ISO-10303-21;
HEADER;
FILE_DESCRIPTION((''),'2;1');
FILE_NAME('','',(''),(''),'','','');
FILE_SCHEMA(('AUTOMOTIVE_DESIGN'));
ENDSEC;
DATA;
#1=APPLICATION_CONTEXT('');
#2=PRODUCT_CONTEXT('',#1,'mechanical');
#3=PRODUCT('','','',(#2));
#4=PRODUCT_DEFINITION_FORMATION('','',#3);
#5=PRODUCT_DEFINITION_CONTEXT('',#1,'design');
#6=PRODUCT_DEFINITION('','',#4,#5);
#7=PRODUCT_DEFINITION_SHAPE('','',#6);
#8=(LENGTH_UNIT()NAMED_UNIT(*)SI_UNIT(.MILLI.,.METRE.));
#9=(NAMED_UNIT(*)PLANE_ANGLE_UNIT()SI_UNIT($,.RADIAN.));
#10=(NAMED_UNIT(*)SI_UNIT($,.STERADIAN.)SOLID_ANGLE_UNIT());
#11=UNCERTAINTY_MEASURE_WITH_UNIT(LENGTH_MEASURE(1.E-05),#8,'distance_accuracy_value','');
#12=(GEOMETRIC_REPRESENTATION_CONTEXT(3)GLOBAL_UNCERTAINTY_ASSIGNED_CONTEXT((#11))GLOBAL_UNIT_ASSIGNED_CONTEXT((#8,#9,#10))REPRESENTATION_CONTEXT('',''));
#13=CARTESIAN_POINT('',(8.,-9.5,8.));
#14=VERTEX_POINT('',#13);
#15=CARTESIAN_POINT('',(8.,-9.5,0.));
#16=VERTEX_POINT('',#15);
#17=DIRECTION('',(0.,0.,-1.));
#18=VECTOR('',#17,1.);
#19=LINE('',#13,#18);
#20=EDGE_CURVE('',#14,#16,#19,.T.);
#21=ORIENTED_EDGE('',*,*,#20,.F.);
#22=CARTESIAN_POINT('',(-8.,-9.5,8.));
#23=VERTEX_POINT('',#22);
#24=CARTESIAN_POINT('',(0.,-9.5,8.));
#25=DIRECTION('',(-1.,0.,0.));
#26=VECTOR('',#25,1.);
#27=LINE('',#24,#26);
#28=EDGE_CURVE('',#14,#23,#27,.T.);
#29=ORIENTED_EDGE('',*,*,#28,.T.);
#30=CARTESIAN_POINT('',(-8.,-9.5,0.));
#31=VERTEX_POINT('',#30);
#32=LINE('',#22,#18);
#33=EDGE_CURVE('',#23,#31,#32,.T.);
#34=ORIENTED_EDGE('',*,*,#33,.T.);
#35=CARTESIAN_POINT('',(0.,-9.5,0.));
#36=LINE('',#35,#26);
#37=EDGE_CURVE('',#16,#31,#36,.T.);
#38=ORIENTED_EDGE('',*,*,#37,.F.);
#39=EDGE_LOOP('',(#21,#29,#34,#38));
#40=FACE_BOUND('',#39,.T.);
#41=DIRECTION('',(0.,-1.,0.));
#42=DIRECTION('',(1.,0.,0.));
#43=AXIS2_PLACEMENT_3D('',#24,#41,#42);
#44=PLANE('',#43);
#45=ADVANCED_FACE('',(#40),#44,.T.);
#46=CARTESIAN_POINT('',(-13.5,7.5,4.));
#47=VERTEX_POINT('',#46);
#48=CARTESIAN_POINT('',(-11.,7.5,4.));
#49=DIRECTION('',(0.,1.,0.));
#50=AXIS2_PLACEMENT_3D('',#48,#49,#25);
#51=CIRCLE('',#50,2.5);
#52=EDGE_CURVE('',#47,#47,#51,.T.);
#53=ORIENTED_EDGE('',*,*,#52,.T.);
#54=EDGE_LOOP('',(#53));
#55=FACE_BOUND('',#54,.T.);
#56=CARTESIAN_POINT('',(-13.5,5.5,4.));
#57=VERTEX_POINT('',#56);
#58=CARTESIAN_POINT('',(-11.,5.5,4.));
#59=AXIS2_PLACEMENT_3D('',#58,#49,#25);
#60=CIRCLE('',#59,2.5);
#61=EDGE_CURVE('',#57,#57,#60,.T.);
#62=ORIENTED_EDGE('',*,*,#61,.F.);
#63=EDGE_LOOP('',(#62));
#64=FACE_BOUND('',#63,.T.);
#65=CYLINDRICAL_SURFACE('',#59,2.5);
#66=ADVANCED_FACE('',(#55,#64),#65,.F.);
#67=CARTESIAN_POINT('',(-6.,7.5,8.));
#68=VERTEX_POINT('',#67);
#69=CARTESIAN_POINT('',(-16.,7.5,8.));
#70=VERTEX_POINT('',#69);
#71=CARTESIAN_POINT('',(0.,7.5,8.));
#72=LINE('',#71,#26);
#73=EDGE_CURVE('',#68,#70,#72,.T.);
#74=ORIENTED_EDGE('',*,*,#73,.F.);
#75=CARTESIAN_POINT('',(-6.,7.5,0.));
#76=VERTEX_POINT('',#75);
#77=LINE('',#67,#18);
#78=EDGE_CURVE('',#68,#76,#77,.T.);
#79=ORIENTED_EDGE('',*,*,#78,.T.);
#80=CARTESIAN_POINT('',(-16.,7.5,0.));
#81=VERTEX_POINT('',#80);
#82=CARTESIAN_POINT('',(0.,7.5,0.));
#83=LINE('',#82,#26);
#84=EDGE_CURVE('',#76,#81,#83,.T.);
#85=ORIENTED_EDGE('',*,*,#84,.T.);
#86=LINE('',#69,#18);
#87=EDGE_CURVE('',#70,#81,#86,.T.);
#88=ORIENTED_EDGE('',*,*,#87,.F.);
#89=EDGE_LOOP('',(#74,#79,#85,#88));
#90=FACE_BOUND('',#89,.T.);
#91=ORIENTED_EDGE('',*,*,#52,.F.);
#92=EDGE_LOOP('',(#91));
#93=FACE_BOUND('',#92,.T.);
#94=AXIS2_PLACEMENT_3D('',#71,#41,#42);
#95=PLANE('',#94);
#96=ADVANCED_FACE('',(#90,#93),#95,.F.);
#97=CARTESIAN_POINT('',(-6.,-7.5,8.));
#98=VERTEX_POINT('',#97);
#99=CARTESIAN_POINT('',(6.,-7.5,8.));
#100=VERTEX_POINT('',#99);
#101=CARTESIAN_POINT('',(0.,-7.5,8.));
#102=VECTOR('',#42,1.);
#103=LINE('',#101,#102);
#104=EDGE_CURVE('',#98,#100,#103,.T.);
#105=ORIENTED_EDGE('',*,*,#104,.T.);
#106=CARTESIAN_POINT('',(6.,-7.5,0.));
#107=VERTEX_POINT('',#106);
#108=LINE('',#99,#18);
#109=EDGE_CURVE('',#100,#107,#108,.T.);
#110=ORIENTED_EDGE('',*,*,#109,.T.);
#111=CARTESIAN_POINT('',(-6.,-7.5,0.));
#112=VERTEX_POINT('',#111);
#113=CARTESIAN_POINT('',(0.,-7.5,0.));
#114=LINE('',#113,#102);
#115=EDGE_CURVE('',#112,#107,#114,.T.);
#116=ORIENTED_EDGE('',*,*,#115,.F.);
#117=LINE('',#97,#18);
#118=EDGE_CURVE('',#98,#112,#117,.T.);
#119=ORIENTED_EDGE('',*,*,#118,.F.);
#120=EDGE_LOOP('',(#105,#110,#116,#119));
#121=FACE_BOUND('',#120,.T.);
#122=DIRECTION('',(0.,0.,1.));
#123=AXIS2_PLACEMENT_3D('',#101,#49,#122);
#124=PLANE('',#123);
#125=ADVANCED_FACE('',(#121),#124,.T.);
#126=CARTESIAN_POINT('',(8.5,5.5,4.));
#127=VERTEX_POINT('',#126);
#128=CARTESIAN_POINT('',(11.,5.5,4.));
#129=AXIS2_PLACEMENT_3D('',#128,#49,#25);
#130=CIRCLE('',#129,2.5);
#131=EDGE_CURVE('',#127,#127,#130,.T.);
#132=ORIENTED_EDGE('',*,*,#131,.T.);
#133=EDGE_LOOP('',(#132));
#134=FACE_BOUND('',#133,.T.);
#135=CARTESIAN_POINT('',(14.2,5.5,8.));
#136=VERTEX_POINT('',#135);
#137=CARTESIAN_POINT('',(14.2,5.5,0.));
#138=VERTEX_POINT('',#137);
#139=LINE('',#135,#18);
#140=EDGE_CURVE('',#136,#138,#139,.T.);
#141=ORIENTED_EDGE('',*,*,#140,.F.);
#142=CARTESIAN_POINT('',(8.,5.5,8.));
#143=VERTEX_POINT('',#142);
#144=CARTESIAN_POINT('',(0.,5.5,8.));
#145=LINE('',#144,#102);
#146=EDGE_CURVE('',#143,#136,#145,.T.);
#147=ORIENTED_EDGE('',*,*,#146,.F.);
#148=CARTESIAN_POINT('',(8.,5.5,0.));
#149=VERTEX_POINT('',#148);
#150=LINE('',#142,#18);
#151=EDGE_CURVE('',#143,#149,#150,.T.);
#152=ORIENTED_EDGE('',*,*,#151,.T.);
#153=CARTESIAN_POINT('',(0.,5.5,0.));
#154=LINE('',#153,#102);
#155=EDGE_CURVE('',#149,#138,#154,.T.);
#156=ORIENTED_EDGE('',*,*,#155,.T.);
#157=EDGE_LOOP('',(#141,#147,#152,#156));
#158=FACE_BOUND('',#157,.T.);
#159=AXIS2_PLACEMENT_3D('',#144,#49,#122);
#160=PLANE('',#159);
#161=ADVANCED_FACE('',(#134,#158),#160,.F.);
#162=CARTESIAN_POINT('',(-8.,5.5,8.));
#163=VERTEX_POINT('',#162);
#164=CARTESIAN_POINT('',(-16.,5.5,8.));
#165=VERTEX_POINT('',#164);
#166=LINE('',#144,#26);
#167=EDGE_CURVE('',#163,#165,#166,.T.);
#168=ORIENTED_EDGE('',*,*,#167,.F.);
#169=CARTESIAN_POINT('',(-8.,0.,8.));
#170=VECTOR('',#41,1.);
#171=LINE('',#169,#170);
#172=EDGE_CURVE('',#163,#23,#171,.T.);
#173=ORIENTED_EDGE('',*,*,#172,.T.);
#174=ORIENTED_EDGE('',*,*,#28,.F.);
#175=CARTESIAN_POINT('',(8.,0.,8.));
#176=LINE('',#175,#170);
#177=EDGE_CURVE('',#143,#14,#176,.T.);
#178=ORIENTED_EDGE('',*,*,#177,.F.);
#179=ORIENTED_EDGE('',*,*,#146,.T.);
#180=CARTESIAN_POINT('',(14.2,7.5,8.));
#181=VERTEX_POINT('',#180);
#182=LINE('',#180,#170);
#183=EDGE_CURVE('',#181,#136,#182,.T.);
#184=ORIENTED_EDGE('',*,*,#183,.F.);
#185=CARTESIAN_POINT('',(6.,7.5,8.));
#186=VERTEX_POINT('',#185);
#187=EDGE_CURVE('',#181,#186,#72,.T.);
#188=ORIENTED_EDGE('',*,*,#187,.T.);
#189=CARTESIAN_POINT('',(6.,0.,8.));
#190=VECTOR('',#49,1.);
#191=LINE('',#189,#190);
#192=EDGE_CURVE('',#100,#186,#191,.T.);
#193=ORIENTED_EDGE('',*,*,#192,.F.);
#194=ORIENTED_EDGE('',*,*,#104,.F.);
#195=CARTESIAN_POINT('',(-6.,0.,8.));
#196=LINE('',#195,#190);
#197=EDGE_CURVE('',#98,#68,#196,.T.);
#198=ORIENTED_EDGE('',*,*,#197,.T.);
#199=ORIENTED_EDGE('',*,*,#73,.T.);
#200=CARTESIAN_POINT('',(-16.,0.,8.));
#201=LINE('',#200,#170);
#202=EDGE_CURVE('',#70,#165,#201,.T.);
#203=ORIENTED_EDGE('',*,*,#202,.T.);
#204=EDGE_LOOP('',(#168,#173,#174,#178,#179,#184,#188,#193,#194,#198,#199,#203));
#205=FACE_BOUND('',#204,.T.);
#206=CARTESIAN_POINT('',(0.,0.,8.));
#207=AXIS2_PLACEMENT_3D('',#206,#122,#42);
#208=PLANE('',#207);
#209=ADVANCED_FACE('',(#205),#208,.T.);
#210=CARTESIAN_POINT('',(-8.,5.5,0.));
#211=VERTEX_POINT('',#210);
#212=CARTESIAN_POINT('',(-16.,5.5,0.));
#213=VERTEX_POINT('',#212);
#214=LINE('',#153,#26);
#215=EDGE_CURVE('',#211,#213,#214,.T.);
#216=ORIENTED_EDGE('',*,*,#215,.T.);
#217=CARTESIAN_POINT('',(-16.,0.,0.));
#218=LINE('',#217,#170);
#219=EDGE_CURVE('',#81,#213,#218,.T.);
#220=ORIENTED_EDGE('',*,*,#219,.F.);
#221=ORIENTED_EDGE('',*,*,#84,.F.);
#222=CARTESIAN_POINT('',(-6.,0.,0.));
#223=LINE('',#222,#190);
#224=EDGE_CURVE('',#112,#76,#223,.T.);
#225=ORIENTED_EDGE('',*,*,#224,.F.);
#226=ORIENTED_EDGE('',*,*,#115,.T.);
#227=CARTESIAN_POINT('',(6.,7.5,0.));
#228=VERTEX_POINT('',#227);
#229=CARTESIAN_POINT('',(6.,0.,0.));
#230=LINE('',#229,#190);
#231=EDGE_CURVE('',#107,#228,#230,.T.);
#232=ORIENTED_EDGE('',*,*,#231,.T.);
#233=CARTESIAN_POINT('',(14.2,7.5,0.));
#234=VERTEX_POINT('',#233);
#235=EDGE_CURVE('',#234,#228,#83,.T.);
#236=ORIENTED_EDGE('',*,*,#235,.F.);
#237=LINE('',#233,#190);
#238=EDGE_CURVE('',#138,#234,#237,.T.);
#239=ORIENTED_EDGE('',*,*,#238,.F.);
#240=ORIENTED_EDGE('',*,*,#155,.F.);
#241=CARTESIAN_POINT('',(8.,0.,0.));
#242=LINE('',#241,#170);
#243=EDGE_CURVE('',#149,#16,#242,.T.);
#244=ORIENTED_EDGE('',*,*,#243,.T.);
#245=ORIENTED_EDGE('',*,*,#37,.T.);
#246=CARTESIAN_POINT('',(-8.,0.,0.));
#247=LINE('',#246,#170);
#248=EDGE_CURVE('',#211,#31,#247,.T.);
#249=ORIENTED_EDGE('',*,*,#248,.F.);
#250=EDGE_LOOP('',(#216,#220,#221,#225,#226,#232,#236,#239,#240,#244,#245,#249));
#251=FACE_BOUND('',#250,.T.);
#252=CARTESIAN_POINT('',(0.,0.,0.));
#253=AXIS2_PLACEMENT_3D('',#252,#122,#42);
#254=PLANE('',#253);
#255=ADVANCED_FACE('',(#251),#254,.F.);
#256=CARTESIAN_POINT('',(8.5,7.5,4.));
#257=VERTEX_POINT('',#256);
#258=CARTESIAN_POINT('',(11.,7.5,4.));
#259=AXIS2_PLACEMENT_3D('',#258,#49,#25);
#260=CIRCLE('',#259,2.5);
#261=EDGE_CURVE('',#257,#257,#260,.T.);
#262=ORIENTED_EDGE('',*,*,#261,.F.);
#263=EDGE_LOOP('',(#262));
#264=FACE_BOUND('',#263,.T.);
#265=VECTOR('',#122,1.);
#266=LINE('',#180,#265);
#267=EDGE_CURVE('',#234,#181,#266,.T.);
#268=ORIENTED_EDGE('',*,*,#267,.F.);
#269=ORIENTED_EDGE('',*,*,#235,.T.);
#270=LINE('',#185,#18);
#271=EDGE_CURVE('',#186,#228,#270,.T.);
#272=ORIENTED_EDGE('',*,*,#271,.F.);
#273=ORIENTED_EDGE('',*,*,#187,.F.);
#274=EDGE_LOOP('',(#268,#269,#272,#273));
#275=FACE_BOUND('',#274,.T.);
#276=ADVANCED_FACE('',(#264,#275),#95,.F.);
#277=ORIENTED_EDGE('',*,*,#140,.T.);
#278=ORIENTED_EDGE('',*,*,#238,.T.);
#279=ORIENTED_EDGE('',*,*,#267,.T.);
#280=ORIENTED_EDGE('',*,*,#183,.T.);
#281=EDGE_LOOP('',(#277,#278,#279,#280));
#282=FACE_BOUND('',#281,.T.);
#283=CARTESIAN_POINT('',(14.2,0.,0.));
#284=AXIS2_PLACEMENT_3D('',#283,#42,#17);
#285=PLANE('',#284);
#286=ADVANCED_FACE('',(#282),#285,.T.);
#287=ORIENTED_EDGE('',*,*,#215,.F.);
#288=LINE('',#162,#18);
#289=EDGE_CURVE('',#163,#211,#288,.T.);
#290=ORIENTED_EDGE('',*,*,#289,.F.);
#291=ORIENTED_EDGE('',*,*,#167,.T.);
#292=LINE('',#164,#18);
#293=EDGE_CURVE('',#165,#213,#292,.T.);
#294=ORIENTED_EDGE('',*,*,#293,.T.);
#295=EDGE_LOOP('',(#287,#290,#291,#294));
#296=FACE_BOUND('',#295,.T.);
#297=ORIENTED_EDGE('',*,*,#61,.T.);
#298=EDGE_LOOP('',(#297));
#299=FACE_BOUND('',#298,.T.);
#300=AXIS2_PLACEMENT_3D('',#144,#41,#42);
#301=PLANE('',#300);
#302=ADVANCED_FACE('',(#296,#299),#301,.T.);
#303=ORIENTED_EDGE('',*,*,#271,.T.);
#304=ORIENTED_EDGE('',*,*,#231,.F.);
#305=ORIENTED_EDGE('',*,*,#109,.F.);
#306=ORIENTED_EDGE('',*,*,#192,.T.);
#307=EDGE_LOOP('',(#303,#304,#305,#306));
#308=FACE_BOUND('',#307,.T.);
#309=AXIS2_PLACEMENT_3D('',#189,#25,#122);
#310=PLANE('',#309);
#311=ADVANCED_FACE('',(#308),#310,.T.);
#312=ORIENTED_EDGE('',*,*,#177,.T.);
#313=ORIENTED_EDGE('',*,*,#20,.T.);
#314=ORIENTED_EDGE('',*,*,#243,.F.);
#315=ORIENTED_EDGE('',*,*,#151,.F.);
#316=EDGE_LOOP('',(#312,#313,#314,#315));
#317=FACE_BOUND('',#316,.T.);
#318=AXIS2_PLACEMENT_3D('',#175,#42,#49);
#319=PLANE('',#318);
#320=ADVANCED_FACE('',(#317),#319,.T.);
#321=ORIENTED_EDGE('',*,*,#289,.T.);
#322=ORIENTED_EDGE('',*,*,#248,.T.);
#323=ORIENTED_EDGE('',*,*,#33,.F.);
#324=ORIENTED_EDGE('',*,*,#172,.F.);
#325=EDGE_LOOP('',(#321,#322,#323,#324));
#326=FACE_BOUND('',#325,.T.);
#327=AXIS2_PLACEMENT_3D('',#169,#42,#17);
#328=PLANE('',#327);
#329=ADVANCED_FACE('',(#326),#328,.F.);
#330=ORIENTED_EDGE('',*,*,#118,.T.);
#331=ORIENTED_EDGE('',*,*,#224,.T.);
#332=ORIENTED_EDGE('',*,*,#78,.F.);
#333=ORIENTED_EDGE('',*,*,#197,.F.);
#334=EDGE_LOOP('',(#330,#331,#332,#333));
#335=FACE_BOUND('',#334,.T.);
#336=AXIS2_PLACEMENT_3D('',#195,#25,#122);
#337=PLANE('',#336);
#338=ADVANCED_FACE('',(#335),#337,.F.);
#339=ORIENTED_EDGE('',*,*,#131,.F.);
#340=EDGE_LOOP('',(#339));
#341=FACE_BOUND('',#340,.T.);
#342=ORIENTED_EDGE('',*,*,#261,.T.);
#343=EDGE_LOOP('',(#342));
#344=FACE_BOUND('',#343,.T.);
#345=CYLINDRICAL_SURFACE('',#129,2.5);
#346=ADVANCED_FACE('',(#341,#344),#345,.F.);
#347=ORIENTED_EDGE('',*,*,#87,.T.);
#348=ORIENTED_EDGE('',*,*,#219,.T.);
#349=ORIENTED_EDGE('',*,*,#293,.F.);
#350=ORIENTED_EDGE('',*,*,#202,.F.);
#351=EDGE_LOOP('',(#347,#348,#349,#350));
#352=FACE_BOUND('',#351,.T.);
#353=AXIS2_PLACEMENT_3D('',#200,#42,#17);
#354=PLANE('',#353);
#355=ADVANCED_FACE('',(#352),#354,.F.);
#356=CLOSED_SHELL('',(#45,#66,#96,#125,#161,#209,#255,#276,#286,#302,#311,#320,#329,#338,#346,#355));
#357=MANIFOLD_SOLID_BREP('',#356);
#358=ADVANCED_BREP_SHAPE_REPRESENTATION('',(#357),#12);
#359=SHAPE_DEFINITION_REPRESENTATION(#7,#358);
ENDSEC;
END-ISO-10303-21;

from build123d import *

# Parameters (mm, degrees)
CROQUIS1_W              = 8
CROQUIS1_H              = 2
SALIENTE_EXTRUIR1_DEPTH = 8
CROQUIS2_R              = 2.5
CORTAR_EXTRUIR1_DEPTH   = 2
SKETCH1_W               = 8
SKETCH1_H               = 2
CUT_EXTRUDE1_DEPTH      = 1.8


with BuildPart() as part:
    # Croquis1 → Saliente-Extruir1 (new body)
    with BuildSketch(Plane.XY):
        with Locations((-12, 6.5)):
            Rectangle(CROQUIS1_W, CROQUIS1_H)
        Polygon((-6, 7.5), (-8, 7.5), (-8, 5.5), (-8, -9.5), (8, -9.5), (8, 5.5), (8, 7.5), (6, 7.5), (6, -7.5), (-6, -7.5), align=None)
        with Locations((12, 6.5)):
            Rectangle(CROQUIS1_W, CROQUIS1_H)
    extrude(amount=SALIENTE_EXTRUIR1_DEPTH)

    # Croquis2 → Cortar-Extruir1 (cut)
    with BuildSketch(Plane(origin=(0, 7.5, 0), x_dir=(1, 0, 0), z_dir=(0, 1, 0))):
        with Locations((-11, -4)):
            Circle(CROQUIS2_R)
        with Locations((11, -4)):
            Circle(CROQUIS2_R)
    extrude(amount=-CORTAR_EXTRUIR1_DEPTH, mode=Mode.SUBTRACT)

    # Sketch1 → Cut-Extrude1 (cut)
    with BuildSketch(Plane(origin=(16, 0, 0), x_dir=(0, 0, -1), z_dir=(1, 0, 0))):
        with Locations((-4, 6.5)):
            Rectangle(SKETCH1_W, SKETCH1_H)
    extrude(amount=-CUT_EXTRUDE1_DEPTH, mode=Mode.SUBTRACT)


solid = part.part
